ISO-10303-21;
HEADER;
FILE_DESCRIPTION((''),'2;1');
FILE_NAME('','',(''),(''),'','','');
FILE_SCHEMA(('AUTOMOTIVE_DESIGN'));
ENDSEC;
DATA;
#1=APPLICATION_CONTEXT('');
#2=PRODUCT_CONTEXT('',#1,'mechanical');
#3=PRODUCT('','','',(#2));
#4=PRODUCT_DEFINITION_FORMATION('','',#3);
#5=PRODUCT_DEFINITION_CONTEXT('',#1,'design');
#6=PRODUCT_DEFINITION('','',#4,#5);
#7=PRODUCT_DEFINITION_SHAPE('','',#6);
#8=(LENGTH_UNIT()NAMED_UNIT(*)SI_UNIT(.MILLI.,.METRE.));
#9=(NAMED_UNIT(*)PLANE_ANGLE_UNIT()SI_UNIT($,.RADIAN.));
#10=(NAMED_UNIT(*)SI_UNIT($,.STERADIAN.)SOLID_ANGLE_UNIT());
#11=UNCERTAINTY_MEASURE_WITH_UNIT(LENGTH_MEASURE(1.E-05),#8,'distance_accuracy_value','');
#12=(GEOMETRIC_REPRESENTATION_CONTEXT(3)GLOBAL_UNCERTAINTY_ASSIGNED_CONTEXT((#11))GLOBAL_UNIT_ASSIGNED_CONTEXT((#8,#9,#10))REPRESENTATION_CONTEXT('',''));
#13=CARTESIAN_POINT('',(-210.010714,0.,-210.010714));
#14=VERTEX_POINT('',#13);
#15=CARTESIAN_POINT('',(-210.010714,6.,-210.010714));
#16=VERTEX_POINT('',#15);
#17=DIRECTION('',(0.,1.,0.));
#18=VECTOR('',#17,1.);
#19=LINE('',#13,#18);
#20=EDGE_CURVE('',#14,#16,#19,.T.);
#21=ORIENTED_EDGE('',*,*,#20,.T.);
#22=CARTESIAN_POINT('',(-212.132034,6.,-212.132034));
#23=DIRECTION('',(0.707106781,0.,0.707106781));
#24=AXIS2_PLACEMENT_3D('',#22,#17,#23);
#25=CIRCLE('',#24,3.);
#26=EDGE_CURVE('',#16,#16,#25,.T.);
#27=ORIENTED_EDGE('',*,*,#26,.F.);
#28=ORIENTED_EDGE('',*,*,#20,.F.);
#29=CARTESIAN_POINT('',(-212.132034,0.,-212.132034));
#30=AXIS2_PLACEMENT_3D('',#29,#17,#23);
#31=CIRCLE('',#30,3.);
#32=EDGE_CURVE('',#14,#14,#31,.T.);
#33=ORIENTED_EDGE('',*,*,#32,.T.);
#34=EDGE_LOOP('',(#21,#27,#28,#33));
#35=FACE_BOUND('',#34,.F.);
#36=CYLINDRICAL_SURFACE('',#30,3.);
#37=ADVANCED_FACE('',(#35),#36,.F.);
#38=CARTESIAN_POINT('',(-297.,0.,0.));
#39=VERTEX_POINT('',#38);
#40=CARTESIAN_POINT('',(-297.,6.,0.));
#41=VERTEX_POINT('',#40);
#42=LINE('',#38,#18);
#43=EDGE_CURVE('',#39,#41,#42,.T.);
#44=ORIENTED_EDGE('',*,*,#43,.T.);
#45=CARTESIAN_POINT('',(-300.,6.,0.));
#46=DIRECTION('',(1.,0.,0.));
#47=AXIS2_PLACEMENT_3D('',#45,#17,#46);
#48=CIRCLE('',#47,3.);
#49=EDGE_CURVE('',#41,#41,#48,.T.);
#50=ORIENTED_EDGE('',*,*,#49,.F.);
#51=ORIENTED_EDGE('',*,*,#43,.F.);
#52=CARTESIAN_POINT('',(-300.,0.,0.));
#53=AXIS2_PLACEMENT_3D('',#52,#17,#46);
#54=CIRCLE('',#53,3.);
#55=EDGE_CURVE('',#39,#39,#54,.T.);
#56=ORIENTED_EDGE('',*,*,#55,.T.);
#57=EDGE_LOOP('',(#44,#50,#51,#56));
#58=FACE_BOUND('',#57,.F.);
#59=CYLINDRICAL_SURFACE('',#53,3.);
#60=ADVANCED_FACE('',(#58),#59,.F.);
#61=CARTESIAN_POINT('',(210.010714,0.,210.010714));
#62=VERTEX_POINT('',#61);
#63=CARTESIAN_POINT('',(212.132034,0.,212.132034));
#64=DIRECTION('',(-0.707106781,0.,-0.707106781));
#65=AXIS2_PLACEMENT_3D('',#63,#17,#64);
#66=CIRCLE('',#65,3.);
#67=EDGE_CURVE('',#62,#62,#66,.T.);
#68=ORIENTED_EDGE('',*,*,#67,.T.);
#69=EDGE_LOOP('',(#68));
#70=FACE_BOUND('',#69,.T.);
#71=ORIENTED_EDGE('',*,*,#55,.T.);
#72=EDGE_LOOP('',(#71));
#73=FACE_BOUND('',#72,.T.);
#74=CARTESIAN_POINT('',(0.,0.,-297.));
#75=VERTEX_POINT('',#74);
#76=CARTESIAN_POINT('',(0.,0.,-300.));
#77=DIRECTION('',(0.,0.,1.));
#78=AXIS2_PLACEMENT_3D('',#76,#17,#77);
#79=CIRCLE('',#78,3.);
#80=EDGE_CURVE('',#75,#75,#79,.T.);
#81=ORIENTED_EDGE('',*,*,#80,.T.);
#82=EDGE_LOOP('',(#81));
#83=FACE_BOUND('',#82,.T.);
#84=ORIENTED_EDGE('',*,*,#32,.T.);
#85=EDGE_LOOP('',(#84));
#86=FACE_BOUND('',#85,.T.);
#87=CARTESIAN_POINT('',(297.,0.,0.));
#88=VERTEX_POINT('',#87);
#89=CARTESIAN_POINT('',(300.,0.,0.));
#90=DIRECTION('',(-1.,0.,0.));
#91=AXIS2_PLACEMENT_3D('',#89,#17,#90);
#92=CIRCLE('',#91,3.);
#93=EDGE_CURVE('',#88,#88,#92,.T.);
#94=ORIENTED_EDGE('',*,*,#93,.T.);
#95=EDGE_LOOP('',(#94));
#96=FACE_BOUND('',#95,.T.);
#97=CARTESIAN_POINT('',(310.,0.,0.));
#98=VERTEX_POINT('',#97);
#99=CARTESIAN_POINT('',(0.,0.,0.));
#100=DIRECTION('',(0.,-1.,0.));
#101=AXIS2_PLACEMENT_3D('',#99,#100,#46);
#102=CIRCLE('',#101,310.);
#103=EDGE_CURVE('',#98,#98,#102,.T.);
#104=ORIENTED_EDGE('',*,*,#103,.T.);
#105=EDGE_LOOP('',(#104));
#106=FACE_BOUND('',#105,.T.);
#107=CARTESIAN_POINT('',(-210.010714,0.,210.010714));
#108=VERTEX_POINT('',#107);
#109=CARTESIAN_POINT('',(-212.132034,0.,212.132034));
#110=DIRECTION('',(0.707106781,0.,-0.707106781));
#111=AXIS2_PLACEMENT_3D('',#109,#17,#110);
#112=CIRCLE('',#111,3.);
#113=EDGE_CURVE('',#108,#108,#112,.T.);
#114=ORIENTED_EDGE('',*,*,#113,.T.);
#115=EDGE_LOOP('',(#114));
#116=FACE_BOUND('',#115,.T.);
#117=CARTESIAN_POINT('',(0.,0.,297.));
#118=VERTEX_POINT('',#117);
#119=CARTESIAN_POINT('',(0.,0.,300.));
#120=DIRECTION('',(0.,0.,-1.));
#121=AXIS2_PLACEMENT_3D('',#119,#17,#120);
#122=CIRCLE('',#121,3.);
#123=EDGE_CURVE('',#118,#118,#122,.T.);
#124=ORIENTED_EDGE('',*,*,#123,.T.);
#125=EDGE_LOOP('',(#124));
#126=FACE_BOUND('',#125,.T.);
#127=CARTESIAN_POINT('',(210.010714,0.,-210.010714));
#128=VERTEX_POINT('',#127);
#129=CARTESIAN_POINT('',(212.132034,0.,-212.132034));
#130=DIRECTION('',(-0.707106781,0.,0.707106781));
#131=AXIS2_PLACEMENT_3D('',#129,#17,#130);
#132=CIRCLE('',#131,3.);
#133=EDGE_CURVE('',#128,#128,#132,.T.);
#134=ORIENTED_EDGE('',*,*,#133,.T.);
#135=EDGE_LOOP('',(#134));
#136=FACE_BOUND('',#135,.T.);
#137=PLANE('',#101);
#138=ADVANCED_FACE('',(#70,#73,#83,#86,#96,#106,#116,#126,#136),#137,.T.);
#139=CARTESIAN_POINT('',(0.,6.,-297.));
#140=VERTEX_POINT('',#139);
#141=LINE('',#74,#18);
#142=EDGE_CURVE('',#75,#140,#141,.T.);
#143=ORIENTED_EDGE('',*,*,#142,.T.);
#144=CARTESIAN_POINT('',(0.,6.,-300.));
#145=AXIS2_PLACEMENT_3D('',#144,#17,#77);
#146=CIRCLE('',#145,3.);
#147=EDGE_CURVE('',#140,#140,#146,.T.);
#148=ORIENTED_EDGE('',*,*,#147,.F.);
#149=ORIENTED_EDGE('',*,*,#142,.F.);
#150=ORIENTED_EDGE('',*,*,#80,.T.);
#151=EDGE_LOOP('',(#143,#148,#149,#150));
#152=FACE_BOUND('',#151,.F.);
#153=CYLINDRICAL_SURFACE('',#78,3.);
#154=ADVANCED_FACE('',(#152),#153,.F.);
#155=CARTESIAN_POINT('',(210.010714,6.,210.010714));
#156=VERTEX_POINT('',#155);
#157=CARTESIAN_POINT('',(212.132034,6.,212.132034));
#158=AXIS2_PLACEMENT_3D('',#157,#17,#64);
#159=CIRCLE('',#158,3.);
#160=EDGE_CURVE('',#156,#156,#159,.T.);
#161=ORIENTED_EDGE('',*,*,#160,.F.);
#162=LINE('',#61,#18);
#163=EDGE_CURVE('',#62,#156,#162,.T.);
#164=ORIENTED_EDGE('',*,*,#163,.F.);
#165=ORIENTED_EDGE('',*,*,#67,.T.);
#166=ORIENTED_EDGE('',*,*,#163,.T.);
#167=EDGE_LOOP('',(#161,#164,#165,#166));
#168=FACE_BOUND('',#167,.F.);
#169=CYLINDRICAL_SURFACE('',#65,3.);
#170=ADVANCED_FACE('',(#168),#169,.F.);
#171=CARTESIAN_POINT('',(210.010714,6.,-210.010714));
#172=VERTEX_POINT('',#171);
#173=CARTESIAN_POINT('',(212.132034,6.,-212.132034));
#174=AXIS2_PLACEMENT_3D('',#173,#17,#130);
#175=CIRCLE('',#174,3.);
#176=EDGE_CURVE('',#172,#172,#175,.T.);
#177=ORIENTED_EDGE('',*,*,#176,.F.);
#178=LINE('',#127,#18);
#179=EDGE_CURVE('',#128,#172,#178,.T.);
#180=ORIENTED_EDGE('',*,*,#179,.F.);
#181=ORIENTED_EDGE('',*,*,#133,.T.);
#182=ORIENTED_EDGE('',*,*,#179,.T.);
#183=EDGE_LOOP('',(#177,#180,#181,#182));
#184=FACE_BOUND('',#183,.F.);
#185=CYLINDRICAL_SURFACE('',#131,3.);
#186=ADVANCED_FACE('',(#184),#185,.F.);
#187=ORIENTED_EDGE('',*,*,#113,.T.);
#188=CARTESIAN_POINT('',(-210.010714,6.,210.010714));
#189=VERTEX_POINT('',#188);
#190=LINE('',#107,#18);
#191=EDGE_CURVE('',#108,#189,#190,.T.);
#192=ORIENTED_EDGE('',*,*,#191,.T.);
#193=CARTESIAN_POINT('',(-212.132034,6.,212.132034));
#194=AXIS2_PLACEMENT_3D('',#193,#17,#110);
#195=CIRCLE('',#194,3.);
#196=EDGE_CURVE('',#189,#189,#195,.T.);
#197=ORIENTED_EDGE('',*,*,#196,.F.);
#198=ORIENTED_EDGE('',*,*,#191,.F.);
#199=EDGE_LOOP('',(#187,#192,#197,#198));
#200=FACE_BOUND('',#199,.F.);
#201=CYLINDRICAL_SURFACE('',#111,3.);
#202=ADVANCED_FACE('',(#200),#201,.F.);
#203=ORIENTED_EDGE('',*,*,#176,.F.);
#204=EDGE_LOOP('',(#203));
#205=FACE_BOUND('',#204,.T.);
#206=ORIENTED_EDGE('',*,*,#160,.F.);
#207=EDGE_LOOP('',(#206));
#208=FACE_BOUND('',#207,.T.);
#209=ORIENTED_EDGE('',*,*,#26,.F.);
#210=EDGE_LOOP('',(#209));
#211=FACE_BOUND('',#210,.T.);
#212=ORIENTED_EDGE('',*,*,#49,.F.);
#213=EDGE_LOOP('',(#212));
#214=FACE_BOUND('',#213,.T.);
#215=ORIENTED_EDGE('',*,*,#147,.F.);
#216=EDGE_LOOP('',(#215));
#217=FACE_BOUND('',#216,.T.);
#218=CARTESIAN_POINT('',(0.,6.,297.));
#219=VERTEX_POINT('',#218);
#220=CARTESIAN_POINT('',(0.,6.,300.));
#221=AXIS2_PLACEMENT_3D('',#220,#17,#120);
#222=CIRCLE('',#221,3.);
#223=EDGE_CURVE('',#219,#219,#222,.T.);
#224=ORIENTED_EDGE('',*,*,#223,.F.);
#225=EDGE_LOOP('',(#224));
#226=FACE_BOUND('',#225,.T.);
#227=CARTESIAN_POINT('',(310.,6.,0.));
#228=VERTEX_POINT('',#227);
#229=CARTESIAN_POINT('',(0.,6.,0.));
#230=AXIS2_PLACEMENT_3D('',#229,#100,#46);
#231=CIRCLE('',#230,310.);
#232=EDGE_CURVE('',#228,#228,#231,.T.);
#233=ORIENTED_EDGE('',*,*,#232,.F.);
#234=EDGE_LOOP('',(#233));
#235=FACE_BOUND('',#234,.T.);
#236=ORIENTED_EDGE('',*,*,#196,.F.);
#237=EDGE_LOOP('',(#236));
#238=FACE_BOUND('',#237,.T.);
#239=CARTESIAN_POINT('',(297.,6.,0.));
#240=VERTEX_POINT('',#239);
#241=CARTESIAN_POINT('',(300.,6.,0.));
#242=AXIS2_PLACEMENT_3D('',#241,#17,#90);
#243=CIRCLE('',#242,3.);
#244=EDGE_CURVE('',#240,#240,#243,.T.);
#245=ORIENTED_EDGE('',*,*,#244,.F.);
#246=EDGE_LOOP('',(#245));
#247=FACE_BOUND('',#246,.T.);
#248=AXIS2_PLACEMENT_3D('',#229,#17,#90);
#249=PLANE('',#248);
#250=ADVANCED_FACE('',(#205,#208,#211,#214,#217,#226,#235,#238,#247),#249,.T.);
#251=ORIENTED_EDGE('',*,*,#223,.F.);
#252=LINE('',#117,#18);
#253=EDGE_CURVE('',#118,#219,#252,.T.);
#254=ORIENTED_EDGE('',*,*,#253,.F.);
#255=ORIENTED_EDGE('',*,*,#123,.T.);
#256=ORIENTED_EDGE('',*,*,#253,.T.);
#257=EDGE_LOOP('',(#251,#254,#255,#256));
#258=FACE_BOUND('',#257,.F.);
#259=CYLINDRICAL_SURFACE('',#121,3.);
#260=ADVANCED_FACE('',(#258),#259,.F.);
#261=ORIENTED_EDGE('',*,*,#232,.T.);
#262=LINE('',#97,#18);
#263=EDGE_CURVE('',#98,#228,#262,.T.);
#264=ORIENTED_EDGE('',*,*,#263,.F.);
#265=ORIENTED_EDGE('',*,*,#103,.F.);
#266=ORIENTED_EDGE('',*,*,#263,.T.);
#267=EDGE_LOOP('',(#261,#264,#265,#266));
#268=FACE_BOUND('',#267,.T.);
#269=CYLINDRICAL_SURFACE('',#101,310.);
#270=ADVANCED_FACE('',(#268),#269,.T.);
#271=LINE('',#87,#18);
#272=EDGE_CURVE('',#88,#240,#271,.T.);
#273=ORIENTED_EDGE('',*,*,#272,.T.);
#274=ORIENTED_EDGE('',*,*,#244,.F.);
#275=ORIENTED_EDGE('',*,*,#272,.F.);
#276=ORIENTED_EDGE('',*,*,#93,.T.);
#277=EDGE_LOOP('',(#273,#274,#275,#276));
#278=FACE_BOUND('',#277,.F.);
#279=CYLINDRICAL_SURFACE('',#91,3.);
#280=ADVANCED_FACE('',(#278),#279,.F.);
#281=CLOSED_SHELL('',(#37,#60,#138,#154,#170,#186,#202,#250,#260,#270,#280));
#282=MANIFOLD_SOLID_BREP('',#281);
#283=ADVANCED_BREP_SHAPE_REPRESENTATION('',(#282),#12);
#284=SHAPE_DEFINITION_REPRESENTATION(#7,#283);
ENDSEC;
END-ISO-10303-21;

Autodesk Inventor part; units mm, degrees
ref_plane "YZ Plane" through (0, 0, 0) normal (1, 0, 0) x (0, 1, 0)
ref_plane "XZ Plane" through (0, 0, 0) normal (0, 1, 0) x (-1, 0, 0)
ref_plane "XY Plane" through (0, 0, 0) normal (0, 0, 1) x (1, 0, 0)
sketch "Sketch1" plane through (0, 0, 0) normal (0, 1, 0) x (-1, 0, 0)
  line L0 (-500, 500) -> (500, 500)
  line L1 (500, 500) -> (500, -500)
  line L2 (500, -500) -> (-500, -500)
  line L3 (-500, -500) -> (-500, 500)
  line L4 (-500, 500) -> (500, -500) construction
  line L5 (500, 500) -> (-500, -500) construction
  point P0 (0, 0)
  dimension "d0" = 1000
  dimension "d1" = 1000
extrude "Extrusion1" add sketch "Sketch1" along normal blind 6
sketch "Sketch2" plane through (0, 0, 0) normal (0, -1, 0) x (1, 0, 0)
  circle A0 centre (0, 0) radius 310
  dimension "d4" = 620
extrude "Extrusion2" cut sketch "Sketch2" against normal blind 10 keep common part
sketch "Sketch3" plane through (0, 0, 0) normal (0, -1, 0) x (1, 0, 0)
  circle A0 centre (0, 0) radius 300 construction
  line L0 (0, -434) -> (0, 434) construction
  point P0 (0, 300)
  dimension "d7" = 600
hole "Hole1" at (0, 0, 300) direction (0, 1, 0) diameter 6 end through all
pattern_circular "Circular Pattern1" count 8 over 360 about axis through (0, 0, 0) along (0, 1, 0) of "Hole1"
properties part number "płyta 6 biala okragla R600"
